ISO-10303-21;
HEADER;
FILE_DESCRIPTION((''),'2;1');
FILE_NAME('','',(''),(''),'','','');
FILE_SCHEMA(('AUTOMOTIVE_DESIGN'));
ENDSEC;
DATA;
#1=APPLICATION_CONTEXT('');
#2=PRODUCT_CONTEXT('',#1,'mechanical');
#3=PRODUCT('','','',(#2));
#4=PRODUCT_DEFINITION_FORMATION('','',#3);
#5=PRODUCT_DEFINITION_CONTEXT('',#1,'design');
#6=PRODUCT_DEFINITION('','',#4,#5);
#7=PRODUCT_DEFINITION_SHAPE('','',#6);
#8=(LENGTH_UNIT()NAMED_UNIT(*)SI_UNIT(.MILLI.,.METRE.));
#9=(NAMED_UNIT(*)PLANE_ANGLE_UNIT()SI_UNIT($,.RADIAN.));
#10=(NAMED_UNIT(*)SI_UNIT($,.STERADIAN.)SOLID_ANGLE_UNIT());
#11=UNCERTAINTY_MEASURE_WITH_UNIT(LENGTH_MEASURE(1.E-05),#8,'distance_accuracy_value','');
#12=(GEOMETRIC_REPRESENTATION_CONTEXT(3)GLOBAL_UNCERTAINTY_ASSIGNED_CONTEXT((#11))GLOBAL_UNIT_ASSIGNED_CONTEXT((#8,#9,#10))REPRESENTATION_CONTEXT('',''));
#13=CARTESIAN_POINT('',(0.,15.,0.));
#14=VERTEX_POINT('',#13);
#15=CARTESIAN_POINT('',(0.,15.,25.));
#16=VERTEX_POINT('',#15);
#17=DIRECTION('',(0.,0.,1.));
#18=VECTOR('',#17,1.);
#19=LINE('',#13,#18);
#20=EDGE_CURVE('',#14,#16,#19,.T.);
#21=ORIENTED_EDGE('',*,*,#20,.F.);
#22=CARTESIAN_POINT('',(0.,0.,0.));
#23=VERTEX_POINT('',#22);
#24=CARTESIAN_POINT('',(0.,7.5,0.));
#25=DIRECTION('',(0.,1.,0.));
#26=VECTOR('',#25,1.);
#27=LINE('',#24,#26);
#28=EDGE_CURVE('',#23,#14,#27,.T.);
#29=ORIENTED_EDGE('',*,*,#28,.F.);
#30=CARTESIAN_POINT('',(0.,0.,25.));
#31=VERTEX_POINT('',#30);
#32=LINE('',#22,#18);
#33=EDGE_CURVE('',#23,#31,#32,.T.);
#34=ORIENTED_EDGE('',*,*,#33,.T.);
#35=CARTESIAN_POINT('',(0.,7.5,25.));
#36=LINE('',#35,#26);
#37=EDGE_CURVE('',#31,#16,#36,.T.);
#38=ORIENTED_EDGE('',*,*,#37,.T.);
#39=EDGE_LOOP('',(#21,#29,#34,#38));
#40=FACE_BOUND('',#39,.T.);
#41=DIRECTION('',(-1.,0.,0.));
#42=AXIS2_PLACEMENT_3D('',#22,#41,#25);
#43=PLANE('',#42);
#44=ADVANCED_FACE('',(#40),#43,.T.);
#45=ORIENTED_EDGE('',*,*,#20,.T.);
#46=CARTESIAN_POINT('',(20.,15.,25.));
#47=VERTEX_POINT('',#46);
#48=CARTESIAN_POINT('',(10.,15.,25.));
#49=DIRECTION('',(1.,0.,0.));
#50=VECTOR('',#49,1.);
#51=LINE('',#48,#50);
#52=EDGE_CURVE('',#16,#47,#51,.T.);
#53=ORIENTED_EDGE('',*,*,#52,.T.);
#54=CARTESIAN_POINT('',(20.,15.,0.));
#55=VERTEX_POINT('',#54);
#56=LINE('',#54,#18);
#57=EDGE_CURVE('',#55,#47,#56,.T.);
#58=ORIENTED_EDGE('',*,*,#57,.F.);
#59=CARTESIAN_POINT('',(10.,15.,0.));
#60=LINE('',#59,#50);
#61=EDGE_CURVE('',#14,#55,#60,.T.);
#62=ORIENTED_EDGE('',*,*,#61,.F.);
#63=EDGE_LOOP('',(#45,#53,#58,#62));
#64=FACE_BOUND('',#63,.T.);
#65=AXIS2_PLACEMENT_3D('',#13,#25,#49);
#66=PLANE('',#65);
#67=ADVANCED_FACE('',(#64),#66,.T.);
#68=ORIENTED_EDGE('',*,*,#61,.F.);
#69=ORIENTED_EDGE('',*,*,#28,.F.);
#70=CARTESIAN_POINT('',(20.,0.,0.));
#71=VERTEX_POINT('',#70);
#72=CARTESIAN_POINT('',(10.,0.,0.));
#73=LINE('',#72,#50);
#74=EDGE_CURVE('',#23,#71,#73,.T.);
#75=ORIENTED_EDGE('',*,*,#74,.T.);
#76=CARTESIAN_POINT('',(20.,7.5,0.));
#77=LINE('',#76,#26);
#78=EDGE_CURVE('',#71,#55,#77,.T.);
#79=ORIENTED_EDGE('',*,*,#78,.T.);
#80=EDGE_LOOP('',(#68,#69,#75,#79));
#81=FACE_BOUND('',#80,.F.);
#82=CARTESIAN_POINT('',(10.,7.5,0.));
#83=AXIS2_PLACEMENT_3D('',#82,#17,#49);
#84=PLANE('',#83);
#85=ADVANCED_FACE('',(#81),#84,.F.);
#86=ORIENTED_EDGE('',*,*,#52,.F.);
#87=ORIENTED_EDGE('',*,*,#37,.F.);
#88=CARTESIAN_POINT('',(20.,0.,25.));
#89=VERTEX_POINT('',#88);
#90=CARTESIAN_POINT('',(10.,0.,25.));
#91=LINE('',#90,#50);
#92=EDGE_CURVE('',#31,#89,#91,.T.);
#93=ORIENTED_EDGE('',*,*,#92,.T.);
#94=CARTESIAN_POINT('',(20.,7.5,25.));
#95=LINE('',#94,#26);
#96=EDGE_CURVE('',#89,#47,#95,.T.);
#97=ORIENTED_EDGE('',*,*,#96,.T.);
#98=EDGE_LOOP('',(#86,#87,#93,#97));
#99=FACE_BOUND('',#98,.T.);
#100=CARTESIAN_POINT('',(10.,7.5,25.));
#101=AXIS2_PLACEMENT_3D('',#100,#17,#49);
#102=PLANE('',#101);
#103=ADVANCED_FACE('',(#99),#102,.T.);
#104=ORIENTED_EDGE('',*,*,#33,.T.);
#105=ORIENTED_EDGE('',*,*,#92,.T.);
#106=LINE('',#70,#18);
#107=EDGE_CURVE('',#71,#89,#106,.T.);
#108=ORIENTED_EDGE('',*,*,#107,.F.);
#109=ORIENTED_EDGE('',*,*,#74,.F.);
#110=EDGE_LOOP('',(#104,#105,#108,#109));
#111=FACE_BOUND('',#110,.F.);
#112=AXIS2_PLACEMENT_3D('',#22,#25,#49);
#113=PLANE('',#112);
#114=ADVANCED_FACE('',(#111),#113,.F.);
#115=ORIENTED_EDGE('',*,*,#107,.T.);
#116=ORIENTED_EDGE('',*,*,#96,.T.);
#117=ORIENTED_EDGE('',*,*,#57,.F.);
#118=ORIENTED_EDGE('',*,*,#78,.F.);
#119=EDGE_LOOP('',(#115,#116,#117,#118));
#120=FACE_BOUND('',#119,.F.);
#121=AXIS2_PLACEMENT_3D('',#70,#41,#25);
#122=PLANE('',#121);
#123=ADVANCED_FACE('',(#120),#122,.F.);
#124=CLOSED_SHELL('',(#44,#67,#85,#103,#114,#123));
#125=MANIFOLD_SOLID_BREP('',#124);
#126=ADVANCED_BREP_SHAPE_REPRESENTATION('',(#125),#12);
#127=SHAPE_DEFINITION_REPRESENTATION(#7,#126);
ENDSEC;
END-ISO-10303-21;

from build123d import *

# Parameters (mm, degrees)
BOX_W     = 20
BOX_H     = 15
BOX_DEPTH = 25


with BuildPart() as part:
    # Box → Box (new body)
    with BuildSketch(Plane.XY):
        with Locations((10, 7.5)):
            Rectangle(BOX_W, BOX_H)
    extrude(amount=BOX_DEPTH)


solid = part.part
